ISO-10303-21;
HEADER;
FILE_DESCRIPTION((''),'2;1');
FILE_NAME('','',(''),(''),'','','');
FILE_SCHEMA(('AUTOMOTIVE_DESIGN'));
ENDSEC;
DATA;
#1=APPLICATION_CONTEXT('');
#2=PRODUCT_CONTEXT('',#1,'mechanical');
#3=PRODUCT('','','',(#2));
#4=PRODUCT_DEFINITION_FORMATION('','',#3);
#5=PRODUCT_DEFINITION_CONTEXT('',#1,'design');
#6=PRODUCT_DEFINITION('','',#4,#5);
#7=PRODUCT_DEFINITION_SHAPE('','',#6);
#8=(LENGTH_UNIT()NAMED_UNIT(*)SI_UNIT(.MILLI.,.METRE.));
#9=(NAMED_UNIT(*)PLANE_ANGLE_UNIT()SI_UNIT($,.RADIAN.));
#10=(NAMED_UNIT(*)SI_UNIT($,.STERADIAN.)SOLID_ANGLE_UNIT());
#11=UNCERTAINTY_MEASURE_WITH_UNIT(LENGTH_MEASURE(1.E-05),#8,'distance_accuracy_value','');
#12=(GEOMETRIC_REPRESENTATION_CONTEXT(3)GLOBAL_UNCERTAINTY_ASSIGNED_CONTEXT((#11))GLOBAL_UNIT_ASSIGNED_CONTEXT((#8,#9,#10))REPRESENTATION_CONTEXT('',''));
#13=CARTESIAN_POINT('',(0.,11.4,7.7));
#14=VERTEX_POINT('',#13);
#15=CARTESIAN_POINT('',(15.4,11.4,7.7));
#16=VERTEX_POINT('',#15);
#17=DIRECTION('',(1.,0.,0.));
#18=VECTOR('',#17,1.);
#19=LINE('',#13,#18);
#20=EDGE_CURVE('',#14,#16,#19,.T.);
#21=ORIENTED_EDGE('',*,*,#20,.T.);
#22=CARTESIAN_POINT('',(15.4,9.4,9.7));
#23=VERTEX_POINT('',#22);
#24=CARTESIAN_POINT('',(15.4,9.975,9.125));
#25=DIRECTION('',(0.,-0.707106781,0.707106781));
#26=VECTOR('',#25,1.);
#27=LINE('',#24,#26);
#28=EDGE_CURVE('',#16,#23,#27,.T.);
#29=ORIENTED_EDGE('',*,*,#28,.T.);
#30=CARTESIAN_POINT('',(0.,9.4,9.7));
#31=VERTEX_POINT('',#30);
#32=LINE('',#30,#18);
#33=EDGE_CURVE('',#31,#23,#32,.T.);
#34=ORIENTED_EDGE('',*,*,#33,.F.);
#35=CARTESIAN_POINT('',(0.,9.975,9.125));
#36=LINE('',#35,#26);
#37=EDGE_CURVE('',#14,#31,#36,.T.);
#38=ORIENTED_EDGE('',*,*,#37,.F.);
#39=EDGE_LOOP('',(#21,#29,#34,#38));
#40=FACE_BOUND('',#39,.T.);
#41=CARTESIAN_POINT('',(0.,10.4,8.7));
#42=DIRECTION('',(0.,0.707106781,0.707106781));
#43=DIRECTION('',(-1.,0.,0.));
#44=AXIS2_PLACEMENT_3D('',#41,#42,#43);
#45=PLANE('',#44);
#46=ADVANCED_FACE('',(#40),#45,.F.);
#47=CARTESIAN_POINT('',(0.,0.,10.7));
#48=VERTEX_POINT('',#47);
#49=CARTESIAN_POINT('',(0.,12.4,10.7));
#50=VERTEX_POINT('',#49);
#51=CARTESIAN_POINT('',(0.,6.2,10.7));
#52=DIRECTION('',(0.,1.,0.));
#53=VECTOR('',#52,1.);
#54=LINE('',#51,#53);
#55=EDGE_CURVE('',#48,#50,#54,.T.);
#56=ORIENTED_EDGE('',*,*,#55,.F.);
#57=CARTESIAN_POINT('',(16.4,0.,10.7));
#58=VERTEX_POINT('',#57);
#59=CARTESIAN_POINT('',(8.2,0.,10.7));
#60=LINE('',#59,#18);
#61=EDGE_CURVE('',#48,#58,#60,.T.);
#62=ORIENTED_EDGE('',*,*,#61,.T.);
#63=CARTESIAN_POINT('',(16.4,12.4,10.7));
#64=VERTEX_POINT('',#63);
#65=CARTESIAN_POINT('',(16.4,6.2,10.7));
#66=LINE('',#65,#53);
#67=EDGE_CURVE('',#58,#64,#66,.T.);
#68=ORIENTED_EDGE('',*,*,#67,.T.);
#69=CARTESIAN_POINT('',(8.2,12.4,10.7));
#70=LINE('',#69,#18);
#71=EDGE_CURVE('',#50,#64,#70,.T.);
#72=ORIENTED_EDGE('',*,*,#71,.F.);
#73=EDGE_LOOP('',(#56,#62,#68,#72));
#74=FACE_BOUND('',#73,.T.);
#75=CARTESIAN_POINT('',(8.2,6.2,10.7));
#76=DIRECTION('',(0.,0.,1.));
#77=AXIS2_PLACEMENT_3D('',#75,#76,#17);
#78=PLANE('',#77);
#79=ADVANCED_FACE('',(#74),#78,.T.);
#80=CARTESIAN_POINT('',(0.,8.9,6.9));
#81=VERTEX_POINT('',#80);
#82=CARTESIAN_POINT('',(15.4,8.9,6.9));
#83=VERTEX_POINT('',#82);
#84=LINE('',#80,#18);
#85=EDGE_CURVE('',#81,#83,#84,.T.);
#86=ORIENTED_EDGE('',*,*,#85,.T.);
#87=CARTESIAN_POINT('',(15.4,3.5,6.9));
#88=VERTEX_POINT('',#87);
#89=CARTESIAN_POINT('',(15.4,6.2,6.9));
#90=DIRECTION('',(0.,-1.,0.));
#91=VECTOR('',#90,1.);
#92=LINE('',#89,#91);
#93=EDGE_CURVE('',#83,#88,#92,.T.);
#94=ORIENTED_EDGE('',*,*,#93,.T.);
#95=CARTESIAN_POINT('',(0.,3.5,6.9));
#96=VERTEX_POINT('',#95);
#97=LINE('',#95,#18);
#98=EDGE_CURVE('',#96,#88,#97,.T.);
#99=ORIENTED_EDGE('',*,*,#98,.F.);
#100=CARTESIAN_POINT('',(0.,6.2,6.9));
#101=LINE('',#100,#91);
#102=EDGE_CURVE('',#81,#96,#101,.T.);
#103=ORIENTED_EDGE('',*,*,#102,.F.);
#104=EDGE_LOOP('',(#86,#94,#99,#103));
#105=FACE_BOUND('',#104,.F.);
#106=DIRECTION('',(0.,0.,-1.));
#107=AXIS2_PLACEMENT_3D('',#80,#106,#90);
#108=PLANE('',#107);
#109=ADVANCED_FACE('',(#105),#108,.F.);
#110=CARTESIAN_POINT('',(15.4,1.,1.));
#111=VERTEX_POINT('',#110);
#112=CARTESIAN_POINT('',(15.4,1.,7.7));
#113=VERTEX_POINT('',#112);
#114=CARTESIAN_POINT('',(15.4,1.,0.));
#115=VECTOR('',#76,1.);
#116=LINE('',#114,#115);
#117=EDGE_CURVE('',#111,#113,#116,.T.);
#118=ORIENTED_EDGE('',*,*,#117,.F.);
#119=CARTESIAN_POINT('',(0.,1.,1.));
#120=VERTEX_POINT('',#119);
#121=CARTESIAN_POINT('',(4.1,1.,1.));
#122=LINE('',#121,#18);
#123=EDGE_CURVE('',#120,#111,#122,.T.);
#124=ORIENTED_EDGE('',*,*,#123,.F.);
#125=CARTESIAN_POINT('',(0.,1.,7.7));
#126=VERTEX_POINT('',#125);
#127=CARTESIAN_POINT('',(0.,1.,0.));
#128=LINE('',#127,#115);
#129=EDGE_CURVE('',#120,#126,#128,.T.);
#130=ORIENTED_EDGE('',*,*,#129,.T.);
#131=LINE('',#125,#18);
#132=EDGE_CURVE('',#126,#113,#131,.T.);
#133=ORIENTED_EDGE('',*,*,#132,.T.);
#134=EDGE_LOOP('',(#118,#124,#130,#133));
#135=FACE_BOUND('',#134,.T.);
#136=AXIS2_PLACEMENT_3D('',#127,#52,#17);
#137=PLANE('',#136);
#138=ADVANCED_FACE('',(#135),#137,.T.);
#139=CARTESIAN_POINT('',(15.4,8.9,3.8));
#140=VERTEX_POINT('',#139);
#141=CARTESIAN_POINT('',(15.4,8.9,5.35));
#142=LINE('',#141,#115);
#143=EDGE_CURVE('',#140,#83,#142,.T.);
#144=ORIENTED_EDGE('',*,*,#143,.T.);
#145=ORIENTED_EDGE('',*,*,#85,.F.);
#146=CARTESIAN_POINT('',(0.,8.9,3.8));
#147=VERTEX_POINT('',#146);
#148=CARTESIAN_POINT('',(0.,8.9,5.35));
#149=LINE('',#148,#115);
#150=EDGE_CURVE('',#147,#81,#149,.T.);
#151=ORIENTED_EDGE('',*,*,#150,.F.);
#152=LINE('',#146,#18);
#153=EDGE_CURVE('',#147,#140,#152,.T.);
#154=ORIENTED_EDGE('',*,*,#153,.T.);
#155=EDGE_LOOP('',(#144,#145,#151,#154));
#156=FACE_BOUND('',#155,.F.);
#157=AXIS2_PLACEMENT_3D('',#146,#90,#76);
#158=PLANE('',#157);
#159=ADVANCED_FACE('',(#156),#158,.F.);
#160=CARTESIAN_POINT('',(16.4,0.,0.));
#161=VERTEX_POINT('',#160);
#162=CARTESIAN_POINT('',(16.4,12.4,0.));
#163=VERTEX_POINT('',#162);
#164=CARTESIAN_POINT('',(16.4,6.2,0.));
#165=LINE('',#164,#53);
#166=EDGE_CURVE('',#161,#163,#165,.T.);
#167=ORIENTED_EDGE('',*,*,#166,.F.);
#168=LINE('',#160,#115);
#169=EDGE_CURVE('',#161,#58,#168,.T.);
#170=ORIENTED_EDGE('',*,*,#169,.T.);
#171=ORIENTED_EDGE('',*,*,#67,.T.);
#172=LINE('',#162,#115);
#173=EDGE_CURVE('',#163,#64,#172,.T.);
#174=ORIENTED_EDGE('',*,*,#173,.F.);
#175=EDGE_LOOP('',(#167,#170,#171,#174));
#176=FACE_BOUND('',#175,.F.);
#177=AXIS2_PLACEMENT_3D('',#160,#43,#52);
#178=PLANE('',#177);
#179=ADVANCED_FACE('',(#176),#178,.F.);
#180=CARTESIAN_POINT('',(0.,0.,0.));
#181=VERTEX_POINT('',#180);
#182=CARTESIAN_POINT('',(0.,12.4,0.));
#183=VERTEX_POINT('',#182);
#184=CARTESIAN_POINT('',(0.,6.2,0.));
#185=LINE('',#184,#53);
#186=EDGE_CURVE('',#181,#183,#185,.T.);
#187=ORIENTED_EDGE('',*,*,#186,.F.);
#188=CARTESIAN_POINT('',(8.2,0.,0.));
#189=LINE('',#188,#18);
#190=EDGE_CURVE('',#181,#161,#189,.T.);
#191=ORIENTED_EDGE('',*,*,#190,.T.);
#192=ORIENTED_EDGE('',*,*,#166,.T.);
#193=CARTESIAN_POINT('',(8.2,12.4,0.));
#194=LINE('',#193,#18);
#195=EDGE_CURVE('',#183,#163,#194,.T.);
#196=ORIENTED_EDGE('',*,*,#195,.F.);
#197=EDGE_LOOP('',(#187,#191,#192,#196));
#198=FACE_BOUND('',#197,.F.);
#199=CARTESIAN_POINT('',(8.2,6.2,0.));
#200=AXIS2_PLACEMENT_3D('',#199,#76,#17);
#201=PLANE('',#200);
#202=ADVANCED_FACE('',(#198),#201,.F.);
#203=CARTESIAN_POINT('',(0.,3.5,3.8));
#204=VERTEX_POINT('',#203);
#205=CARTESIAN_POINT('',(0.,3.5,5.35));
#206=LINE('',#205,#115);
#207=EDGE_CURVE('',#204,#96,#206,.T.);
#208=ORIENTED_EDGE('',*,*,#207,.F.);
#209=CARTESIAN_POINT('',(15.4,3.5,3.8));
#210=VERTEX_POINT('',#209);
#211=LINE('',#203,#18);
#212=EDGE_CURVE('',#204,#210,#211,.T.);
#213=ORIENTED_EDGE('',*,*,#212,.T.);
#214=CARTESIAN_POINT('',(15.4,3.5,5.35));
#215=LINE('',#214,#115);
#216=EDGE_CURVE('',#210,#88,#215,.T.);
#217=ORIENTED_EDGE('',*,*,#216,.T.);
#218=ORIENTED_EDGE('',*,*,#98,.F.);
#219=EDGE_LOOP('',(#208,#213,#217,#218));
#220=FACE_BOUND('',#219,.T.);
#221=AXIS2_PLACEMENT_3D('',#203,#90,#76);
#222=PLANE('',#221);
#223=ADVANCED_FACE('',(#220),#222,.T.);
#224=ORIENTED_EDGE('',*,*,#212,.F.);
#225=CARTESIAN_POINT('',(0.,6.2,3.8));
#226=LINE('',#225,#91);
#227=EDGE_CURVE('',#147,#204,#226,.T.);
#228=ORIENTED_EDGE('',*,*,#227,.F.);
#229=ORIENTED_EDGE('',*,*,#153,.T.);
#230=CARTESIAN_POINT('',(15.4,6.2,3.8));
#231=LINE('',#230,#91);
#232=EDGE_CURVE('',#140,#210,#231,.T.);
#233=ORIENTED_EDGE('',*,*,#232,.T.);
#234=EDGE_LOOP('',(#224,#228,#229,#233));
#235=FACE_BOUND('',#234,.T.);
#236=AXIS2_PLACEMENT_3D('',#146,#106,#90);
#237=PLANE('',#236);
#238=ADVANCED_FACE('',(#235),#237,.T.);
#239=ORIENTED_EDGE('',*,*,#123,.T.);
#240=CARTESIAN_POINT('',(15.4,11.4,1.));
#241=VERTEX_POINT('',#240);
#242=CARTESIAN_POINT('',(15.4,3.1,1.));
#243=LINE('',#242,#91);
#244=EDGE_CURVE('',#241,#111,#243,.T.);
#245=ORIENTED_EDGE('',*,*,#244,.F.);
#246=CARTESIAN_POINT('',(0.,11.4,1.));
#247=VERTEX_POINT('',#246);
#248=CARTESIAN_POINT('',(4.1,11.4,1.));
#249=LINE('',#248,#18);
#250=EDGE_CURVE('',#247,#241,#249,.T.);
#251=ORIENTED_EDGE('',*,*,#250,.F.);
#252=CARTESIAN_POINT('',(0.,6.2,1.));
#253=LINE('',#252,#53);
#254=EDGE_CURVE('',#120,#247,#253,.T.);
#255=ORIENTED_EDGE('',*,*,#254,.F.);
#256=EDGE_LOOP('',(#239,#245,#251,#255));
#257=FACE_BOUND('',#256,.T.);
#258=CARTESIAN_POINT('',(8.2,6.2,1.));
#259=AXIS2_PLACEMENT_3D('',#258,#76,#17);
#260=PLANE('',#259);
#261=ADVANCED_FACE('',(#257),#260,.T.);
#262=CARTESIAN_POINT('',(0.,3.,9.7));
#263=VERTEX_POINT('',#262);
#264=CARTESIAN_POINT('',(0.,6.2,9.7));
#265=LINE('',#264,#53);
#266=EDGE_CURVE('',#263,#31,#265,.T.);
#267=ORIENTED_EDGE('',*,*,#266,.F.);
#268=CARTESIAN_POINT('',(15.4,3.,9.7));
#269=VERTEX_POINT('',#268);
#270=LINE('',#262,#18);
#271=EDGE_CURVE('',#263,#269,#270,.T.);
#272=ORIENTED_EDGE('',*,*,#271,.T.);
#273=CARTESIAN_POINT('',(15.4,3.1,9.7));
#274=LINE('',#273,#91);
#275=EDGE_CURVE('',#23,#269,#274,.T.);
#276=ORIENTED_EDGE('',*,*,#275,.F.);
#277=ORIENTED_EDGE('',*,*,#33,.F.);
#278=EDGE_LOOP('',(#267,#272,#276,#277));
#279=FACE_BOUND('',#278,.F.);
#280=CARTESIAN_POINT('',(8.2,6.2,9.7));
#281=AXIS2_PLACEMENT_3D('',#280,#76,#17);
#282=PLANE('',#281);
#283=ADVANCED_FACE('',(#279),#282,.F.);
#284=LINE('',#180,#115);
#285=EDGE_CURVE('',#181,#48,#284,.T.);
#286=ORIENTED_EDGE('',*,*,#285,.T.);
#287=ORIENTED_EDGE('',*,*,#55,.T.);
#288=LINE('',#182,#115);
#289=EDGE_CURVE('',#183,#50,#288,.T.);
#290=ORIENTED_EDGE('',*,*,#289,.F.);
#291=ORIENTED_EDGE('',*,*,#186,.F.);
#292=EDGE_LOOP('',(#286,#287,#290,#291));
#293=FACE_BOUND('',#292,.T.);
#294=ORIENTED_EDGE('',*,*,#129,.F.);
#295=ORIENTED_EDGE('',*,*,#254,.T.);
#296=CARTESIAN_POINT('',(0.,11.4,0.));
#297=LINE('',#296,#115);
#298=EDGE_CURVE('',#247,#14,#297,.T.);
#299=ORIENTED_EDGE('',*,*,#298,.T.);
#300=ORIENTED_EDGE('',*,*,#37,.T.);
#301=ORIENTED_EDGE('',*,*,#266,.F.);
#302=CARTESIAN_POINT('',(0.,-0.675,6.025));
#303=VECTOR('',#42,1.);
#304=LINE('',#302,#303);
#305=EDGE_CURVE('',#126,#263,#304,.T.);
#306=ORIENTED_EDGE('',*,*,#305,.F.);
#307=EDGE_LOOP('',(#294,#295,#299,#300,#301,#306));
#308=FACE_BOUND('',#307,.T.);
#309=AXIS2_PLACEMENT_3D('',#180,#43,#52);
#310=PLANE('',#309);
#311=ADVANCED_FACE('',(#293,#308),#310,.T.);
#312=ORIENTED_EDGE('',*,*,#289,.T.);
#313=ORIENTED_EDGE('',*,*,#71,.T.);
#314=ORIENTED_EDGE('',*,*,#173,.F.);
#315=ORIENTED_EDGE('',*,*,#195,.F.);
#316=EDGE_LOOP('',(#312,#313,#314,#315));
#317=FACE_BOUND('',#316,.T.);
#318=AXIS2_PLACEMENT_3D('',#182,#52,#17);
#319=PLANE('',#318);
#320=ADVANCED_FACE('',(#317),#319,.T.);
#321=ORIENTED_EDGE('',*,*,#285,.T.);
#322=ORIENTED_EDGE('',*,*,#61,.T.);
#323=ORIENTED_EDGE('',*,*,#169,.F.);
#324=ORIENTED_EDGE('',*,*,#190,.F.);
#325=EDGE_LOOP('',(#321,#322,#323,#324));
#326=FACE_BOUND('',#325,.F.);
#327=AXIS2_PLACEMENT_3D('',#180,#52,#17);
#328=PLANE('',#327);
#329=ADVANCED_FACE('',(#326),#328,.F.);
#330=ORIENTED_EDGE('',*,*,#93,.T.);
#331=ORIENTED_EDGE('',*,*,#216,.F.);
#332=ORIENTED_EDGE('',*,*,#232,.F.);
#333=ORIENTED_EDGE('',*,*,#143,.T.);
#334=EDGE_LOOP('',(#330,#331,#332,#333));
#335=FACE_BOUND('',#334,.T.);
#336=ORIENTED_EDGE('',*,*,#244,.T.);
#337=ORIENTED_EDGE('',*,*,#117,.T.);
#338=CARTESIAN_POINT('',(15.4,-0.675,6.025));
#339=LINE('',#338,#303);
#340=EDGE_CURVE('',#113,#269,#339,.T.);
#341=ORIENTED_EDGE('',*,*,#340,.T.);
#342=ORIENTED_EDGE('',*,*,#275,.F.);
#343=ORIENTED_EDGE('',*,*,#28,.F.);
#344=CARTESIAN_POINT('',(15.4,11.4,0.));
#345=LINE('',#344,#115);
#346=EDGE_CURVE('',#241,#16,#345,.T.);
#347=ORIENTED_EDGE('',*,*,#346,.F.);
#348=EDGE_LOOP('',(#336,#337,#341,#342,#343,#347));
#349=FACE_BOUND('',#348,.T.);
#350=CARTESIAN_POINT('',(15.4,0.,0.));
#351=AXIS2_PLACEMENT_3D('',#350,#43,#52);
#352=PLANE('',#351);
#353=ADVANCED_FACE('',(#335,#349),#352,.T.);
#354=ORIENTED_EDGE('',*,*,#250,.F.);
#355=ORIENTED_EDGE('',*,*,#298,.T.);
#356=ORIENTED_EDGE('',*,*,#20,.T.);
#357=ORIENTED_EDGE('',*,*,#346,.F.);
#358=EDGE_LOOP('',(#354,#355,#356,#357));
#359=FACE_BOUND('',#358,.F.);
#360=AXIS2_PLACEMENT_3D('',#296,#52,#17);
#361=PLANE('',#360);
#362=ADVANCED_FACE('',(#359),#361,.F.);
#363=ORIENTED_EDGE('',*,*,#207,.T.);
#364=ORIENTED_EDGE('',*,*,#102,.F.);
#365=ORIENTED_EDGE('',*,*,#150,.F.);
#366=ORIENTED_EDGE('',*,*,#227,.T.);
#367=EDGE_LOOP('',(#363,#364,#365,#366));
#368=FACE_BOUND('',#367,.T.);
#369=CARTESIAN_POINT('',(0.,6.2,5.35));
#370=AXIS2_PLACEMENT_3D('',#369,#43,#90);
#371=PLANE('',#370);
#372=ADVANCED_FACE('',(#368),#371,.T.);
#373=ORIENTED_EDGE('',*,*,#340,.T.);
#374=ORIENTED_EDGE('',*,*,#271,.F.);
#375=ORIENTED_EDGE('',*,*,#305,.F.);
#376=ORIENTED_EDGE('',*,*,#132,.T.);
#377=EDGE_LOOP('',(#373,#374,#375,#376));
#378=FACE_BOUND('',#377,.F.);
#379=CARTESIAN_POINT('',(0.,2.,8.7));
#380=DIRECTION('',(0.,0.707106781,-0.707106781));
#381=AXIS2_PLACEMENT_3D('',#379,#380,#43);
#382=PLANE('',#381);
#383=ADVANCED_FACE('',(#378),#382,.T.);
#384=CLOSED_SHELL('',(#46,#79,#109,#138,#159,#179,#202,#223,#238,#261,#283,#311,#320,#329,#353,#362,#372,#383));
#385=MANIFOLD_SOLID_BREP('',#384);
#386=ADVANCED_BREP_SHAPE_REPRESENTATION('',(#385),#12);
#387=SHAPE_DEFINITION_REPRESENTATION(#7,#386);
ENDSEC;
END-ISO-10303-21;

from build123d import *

# Parameters (mm, degrees)
F0_W     = 16.4
F0_H     = 12.4
F1_DEPTH = 10.7
F2_T     = -1
F3_W     = 5.4
F3_H     = 3.1
F4_DEPTH = 15.4
F5_SIZE  = 2


with BuildPart() as f1:
    # F0 (on Top) → F1 (new body)
    with BuildSketch(Plane.XY):
        with Locations((8.2, 6.2)):
            Rectangle(F0_W, F0_H)
    extrude(amount=F1_DEPTH)

    # F2
    f2_openings = [f1.faces().sort_by_distance(p)[0] for p in [
        (0, 6.2, 5.35),
    ]]
    offset(amount=F2_T, openings=f2_openings)

    # F3 (on face) → F4 (join, through all)
    with BuildSketch(Plane(origin=(0, 0, 0), x_dir=(0, -1, 0), z_dir=(-1, 0, 0))):
        with Locations((-6.2, 5.35)):
            Rectangle(F3_W, F3_H)
    extrude(amount=-F4_DEPTH)

    # F5
    f5_edges = [f1.edges().sort_by_distance(p)[0] for p in [
        (7.7, 11.4, 9.7),
        (7.7, 1, 9.7),
    ]]
    chamfer(f5_edges, length=F5_SIZE)


solid = f1.part
